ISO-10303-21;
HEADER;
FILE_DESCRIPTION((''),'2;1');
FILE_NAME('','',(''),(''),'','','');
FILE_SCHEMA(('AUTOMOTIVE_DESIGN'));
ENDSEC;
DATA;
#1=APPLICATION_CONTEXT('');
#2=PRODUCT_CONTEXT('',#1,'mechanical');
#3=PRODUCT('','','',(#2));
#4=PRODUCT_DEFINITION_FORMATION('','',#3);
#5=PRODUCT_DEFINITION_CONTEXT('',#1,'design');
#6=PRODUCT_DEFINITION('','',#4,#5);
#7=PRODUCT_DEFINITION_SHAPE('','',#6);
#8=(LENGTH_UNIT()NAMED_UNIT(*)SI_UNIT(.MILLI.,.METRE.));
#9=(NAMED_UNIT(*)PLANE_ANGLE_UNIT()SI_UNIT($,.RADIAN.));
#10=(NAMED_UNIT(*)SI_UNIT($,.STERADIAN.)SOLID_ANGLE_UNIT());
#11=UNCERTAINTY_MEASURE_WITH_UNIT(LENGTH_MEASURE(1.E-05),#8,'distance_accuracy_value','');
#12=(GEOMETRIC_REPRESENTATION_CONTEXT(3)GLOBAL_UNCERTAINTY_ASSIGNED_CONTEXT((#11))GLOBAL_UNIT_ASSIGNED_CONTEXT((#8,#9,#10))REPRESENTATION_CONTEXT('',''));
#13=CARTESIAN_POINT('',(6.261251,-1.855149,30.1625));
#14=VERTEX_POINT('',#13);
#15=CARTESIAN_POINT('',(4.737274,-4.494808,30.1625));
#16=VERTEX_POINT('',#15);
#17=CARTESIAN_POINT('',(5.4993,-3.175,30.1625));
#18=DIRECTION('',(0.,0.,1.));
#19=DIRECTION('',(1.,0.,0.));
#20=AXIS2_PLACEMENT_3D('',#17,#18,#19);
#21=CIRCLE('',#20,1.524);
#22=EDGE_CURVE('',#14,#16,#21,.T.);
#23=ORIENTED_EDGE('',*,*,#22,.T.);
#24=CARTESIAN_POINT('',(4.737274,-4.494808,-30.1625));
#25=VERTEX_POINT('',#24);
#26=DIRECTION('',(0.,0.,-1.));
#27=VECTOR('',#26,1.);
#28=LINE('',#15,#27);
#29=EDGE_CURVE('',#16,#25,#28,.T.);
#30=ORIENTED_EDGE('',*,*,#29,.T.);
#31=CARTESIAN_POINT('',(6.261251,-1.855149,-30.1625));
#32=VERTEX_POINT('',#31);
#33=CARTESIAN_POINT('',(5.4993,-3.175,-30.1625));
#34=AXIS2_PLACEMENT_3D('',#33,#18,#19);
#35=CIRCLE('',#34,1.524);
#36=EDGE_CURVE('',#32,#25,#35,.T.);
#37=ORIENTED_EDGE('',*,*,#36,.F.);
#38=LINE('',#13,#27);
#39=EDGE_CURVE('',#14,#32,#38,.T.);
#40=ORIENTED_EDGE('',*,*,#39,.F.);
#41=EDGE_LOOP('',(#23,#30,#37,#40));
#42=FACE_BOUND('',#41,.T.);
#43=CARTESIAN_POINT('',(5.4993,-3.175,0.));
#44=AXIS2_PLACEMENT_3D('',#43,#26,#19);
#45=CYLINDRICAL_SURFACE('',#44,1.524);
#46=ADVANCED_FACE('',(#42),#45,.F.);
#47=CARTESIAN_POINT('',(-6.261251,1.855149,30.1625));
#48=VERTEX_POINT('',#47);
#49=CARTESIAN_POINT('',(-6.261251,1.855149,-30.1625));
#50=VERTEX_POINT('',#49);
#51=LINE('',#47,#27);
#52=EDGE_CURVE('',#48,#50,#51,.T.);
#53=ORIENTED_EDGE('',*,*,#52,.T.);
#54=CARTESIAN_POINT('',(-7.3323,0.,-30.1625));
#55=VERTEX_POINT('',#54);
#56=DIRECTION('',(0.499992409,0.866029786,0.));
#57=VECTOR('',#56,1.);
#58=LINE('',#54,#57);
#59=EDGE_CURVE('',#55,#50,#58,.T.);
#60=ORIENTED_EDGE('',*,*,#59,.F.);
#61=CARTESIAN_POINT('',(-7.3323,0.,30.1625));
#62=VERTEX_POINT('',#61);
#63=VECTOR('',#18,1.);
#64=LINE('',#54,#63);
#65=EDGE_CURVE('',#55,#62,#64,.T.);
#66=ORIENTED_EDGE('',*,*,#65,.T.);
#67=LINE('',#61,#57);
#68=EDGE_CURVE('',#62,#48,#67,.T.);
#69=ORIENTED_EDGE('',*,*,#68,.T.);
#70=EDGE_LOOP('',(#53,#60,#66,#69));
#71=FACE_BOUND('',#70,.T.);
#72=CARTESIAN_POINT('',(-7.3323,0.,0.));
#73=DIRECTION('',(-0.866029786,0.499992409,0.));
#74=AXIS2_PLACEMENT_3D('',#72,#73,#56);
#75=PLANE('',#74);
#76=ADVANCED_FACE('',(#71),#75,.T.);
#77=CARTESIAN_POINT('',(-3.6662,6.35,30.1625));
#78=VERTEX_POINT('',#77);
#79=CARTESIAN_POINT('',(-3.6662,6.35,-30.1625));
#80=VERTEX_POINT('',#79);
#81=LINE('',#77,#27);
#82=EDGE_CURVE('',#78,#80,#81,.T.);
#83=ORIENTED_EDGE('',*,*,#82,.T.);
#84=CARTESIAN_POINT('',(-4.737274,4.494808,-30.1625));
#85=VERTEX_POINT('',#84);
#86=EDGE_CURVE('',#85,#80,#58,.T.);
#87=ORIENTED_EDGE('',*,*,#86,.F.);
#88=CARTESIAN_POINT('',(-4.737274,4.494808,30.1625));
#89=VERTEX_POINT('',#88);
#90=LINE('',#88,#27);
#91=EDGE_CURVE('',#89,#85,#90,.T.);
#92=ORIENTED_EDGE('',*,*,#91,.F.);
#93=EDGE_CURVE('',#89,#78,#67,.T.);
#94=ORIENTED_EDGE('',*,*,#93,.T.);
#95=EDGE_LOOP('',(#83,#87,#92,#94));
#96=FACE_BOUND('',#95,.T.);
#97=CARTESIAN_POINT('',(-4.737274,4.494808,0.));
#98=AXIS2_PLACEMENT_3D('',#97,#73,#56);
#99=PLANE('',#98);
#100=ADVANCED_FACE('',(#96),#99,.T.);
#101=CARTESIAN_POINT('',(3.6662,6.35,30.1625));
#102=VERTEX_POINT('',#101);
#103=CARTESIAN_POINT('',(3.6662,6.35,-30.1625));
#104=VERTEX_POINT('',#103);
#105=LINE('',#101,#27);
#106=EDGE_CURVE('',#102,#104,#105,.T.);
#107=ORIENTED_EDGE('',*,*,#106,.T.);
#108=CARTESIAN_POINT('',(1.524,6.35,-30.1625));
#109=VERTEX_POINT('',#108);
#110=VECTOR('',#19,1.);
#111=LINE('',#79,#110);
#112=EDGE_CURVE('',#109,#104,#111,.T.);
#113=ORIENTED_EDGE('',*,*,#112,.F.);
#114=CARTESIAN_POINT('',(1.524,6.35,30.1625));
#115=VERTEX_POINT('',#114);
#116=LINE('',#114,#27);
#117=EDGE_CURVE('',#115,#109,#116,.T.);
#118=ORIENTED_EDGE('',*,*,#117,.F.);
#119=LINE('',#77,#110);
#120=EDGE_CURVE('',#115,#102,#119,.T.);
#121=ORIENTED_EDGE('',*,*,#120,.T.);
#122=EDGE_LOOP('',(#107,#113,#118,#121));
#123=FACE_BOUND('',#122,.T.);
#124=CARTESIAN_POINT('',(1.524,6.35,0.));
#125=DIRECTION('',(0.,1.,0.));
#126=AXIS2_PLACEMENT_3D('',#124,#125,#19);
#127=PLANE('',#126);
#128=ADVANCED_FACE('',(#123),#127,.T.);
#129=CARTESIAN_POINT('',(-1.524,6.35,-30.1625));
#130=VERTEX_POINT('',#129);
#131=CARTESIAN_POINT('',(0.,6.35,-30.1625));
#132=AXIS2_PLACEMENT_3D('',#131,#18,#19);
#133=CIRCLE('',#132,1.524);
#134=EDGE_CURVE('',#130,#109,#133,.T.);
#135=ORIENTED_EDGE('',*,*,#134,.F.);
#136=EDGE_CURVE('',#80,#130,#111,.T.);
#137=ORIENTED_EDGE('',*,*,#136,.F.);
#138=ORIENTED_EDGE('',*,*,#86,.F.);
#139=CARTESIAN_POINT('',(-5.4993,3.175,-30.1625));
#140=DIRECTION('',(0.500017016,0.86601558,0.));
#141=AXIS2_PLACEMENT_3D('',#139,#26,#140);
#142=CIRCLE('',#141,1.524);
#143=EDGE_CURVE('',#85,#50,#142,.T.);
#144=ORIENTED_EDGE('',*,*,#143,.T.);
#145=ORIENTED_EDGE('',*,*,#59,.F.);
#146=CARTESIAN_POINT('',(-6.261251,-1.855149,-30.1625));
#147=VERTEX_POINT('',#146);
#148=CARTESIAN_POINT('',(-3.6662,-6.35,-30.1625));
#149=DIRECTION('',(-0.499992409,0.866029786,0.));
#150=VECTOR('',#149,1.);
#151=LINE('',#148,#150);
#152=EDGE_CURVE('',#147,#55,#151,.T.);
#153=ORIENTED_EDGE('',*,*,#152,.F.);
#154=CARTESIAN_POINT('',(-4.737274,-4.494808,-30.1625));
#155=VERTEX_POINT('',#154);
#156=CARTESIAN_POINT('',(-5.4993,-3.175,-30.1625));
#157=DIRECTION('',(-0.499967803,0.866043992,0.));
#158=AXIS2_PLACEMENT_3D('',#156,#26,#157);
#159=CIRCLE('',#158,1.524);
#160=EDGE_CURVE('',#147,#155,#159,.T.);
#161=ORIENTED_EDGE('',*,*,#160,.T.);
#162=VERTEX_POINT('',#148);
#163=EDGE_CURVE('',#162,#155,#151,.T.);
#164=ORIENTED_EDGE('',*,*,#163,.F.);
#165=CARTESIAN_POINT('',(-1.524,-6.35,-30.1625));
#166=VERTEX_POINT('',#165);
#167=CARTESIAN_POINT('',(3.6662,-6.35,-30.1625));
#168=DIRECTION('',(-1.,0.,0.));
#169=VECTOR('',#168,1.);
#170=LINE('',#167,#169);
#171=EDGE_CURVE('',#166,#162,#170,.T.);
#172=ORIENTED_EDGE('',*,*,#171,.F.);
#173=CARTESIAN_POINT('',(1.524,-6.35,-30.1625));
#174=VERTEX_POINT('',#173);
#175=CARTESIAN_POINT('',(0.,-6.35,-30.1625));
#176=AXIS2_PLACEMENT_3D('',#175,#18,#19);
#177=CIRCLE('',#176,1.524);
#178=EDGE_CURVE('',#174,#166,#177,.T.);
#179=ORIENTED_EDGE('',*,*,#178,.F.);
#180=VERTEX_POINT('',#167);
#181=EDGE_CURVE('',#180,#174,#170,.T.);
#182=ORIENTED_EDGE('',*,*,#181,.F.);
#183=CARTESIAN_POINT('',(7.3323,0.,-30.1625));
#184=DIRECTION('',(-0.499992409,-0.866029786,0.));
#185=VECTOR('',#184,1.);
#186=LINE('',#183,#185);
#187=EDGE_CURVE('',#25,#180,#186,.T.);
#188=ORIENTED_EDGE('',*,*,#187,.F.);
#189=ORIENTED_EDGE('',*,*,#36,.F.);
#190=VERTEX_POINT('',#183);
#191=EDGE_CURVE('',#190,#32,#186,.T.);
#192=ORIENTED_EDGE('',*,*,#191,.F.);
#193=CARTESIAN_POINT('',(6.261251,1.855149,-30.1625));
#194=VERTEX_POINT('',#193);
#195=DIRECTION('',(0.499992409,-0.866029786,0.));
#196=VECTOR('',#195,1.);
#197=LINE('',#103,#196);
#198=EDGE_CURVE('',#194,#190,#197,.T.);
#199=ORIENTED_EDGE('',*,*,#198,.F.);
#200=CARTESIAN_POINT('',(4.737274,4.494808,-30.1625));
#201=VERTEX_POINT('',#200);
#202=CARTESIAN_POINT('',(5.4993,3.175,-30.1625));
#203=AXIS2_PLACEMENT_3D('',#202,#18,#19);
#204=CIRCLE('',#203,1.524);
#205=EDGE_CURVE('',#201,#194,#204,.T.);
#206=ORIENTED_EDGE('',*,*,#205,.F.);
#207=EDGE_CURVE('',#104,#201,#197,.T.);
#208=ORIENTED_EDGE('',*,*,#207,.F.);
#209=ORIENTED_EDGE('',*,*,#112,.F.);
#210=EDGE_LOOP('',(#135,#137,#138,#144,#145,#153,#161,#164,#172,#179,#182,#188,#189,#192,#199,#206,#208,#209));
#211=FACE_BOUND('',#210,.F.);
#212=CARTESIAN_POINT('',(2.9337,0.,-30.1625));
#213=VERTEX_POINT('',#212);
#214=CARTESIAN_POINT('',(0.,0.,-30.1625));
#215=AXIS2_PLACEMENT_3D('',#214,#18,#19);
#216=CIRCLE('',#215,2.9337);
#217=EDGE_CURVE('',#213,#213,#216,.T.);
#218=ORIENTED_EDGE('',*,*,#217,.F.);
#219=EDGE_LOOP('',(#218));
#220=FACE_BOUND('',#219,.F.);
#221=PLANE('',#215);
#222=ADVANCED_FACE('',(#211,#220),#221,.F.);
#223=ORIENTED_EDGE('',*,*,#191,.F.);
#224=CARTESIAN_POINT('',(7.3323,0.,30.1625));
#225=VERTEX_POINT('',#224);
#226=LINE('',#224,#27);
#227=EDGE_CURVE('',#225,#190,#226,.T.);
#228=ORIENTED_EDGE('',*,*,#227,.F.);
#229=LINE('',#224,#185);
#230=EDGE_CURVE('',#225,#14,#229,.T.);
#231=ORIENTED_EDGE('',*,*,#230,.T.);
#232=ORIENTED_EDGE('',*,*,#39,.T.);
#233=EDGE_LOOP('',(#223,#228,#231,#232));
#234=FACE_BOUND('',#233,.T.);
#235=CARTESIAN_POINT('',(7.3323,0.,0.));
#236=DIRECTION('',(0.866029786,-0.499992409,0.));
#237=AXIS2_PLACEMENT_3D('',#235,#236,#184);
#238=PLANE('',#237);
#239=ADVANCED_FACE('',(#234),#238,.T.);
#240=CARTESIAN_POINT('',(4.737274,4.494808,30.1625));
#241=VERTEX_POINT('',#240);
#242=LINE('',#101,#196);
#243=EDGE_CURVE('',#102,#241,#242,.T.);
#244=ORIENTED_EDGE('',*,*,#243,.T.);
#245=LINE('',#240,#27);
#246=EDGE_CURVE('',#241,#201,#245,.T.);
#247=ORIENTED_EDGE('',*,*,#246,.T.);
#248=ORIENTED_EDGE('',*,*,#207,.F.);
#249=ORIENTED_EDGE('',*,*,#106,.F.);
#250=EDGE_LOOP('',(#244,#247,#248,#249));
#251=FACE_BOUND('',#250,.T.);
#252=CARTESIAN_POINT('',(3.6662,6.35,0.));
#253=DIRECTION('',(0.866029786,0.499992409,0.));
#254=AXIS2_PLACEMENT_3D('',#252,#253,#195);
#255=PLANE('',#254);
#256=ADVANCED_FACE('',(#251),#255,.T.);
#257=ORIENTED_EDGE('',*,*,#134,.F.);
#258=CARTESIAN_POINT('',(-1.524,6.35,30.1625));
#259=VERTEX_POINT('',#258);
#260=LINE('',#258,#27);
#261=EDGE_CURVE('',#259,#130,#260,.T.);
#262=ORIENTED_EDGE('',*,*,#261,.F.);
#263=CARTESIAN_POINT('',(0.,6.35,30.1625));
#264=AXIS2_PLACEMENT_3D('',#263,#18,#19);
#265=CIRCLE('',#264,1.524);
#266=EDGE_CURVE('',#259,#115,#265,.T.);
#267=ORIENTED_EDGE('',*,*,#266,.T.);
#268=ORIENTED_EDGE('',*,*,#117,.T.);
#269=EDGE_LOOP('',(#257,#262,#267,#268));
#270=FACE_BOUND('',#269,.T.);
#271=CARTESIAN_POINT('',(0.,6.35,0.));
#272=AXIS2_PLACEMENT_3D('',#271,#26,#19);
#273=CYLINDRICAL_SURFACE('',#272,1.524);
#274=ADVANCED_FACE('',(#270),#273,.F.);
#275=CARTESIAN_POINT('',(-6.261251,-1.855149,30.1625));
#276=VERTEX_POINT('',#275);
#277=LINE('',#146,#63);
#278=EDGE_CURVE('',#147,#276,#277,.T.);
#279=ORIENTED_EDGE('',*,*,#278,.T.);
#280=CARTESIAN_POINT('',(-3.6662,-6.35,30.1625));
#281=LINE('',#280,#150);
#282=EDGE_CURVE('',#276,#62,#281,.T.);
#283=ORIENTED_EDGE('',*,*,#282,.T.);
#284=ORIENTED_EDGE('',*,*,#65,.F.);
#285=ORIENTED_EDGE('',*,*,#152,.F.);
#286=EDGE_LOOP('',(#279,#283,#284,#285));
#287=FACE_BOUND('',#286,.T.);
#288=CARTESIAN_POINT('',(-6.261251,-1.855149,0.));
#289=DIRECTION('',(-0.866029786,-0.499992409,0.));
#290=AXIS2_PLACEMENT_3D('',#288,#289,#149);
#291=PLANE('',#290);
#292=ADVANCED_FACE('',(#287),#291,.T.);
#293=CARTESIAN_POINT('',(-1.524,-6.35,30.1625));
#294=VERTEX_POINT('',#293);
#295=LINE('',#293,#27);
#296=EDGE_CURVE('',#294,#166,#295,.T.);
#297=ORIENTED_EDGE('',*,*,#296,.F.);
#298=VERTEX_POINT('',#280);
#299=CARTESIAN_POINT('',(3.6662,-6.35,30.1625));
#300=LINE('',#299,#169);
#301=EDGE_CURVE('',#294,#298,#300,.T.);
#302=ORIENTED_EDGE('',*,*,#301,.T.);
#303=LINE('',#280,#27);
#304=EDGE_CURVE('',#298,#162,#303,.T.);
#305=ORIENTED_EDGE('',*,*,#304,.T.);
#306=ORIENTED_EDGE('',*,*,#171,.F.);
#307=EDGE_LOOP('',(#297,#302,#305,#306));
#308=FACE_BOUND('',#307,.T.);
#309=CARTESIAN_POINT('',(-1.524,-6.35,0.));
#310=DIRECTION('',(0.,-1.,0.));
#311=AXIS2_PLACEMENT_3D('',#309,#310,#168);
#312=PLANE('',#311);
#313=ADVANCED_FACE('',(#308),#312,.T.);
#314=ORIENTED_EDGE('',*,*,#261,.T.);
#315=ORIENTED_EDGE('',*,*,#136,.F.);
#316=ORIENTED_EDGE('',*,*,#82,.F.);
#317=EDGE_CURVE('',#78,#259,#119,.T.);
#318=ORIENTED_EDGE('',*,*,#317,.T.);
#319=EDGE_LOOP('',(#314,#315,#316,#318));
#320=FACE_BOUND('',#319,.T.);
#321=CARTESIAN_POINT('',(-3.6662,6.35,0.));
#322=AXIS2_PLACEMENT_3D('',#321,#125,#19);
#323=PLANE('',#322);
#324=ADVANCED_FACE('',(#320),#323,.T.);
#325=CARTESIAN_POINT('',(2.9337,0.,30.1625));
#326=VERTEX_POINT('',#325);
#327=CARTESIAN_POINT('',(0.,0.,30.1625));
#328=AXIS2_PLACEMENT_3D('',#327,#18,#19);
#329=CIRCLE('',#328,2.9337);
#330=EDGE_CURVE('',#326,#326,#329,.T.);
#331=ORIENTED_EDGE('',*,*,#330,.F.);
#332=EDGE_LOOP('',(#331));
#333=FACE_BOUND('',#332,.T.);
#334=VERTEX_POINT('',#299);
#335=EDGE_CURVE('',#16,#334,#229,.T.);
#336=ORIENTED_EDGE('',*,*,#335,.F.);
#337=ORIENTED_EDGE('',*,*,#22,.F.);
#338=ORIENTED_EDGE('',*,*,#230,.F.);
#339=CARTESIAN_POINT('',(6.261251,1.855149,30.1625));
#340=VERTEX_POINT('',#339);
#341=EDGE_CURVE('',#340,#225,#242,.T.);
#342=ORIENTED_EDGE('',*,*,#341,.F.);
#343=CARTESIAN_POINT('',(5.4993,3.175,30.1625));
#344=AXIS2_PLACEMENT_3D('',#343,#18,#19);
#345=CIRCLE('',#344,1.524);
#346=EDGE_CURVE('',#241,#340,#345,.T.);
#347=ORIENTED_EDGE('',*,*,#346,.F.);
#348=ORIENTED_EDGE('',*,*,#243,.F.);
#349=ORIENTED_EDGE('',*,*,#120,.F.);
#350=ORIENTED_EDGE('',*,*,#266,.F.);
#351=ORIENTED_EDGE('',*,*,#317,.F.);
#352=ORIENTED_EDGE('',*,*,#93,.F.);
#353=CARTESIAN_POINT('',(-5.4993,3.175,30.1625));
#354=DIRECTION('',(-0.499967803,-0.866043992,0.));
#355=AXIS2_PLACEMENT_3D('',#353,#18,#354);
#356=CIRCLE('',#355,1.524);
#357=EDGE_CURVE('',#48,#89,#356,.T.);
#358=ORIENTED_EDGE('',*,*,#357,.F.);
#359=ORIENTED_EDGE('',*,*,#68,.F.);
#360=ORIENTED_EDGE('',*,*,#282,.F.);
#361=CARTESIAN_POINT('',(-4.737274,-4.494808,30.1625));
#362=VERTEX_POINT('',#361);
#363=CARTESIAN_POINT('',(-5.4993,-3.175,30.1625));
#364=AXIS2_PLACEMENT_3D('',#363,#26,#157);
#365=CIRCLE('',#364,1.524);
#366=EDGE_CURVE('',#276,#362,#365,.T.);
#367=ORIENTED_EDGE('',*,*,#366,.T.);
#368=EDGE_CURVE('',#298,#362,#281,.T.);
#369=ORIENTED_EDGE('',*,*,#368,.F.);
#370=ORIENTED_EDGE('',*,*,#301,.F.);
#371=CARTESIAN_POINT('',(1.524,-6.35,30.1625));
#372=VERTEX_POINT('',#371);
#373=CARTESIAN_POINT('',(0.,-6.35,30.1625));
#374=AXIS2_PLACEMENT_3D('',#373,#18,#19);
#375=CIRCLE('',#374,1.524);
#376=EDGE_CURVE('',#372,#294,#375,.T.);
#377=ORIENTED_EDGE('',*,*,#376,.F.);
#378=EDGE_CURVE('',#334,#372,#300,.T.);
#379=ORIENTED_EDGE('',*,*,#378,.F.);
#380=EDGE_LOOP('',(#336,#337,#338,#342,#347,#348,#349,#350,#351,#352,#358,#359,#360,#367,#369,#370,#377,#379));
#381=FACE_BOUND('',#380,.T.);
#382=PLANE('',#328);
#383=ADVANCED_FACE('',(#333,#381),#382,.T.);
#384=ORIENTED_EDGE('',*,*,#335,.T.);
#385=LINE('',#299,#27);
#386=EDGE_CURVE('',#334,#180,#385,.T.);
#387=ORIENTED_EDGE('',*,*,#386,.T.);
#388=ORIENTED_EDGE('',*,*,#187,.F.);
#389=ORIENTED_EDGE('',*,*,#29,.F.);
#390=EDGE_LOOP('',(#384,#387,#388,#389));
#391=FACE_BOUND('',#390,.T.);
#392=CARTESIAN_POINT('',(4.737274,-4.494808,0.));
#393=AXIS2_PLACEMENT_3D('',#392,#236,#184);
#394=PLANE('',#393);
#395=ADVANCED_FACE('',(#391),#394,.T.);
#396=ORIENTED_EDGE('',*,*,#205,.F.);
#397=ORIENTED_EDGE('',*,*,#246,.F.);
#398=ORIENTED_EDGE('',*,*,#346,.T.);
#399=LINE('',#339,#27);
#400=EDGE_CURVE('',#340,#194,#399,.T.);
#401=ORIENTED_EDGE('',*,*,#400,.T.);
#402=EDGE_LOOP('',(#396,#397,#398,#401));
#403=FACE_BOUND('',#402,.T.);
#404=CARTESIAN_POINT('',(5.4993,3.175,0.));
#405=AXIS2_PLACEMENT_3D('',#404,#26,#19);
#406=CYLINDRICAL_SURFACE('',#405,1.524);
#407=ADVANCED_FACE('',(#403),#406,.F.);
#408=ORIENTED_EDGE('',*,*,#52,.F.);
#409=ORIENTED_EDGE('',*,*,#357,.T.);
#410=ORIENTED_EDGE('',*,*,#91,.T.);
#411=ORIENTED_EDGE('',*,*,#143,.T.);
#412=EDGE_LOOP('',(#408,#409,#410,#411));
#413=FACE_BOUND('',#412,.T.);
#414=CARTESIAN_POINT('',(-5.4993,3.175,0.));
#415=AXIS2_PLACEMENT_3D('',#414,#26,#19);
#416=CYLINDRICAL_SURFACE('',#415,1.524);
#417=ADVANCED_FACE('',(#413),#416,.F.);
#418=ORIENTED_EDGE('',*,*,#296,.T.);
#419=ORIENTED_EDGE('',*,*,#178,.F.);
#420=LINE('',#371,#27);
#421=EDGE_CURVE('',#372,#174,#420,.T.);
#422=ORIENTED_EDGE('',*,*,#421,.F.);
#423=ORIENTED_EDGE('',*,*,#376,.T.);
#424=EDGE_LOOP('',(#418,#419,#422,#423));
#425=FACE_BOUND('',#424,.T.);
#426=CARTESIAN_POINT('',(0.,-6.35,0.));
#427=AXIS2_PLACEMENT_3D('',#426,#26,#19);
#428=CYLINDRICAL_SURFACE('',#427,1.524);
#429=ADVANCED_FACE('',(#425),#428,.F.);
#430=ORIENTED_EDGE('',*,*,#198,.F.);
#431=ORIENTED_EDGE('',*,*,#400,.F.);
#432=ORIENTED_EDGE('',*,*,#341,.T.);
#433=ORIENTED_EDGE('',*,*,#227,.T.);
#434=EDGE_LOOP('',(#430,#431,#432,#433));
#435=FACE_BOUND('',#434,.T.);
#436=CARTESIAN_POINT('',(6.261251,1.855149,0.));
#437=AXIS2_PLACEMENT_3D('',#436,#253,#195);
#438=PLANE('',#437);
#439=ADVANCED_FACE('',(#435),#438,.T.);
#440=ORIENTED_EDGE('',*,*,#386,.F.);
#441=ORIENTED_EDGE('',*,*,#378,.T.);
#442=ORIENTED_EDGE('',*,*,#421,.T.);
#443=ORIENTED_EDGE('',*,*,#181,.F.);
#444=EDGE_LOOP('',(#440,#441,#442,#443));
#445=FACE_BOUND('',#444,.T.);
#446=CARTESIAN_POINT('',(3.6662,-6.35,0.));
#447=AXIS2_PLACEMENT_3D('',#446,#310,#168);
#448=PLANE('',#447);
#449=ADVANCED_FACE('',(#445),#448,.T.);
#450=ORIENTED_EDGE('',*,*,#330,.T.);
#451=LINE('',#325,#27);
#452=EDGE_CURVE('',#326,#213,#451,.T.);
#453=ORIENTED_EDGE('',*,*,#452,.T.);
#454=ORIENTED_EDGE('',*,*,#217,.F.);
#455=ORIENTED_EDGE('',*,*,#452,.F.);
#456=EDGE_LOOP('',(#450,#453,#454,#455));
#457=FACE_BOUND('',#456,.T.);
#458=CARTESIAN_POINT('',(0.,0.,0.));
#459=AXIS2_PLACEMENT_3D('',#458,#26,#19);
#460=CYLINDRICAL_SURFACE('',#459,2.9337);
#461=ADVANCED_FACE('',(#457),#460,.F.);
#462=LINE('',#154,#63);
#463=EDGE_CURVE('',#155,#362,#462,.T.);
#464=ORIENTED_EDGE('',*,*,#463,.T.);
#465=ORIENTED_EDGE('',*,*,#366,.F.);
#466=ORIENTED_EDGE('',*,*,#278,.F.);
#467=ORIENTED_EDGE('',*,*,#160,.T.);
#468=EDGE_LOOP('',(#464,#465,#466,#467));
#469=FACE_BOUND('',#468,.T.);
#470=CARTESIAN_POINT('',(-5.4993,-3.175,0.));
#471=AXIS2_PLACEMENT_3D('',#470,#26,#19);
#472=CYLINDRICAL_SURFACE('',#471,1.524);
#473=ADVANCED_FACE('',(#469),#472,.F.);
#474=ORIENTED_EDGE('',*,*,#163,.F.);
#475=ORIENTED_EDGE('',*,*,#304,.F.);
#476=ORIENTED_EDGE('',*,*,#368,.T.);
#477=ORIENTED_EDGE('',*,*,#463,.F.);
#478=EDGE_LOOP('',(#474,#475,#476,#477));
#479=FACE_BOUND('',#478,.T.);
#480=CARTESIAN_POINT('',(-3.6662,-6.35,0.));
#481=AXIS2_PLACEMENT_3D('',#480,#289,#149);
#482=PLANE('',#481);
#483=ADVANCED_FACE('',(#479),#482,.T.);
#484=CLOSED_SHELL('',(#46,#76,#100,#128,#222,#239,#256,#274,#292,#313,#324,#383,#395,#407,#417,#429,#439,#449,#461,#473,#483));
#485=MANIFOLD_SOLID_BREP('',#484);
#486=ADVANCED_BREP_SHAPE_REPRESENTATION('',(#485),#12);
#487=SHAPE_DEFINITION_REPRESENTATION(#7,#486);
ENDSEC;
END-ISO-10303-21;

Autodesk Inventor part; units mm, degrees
ref_plane "YZ Plane" through (0, 0, 0) normal (1, 0, 0) x (0, 1, 0)
ref_plane "XZ Plane" through (0, 0, 0) normal (0, 1, 0) x (-1, 0, 0)
ref_plane "XY Plane" through (0, 0, 0) normal (0, 0, 1) x (1, 0, 0)
sketch "Sketch1" plane through (0, 0, 0) normal (0, 0, 1) x (1, 0, 0)
  line L0 (-7.3323, 0) -> (-3.6662, 6.35)
  line L1 (-3.6662, 6.35) -> (3.6662, 6.35)
  line L2 (3.6662, 6.35) -> (7.3323, 0)
  line L3 (7.3323, 0) -> (3.6662, -6.35)
  line L4 (3.6662, -6.35) -> (-3.6662, -6.35)
  line L5 (-3.6662, -6.35) -> (-7.3323, 0)
  circle A0 centre (0, 6.35) radius 1.524
  circle A1 centre (-5.4993, 3.175) radius 1.524
  circle A2 centre (-5.4993, -3.175) radius 1.524
  circle A3 centre (0, -6.35) radius 1.524
  circle A4 centre (5.4993, -3.175) radius 1.524
  circle A5 centre (5.4993, 3.175) radius 1.524
  circle A6 centre (0, 0) radius 2.9337
  point P0 (6.2613, 1.8552)
  point P1 (4.7373, 4.4948)
  point P2 (1.524, 6.35)
  point P3 (-1.524, 6.35)
  point P4 (-4.7373, 4.4948)
  point P5 (-6.2613, 1.8552)
  point P6 (-6.2613, -1.8552)
  point P7 (-4.7373, -4.4948)
  point P8 (-1.524, -6.35)
  point P9 (1.524, -6.35)
  point P10 (4.7373, -4.4948)
  point P11 (6.2613, -1.8552)
  dimension "d0" = 12.7
  dimension "d1" = 3.048
  dimension "d4" = 360
  dimension "d6" = 5.8674
extrude "Extrusion1" add sketch "Sketch1" along normal mid plane 60.325 contours L0 A1 L1 A0 L2 A5 L3 A4 L4 A3 L5 A2
properties part number "Configurable Kitbot Churro" material "Aluminum"
